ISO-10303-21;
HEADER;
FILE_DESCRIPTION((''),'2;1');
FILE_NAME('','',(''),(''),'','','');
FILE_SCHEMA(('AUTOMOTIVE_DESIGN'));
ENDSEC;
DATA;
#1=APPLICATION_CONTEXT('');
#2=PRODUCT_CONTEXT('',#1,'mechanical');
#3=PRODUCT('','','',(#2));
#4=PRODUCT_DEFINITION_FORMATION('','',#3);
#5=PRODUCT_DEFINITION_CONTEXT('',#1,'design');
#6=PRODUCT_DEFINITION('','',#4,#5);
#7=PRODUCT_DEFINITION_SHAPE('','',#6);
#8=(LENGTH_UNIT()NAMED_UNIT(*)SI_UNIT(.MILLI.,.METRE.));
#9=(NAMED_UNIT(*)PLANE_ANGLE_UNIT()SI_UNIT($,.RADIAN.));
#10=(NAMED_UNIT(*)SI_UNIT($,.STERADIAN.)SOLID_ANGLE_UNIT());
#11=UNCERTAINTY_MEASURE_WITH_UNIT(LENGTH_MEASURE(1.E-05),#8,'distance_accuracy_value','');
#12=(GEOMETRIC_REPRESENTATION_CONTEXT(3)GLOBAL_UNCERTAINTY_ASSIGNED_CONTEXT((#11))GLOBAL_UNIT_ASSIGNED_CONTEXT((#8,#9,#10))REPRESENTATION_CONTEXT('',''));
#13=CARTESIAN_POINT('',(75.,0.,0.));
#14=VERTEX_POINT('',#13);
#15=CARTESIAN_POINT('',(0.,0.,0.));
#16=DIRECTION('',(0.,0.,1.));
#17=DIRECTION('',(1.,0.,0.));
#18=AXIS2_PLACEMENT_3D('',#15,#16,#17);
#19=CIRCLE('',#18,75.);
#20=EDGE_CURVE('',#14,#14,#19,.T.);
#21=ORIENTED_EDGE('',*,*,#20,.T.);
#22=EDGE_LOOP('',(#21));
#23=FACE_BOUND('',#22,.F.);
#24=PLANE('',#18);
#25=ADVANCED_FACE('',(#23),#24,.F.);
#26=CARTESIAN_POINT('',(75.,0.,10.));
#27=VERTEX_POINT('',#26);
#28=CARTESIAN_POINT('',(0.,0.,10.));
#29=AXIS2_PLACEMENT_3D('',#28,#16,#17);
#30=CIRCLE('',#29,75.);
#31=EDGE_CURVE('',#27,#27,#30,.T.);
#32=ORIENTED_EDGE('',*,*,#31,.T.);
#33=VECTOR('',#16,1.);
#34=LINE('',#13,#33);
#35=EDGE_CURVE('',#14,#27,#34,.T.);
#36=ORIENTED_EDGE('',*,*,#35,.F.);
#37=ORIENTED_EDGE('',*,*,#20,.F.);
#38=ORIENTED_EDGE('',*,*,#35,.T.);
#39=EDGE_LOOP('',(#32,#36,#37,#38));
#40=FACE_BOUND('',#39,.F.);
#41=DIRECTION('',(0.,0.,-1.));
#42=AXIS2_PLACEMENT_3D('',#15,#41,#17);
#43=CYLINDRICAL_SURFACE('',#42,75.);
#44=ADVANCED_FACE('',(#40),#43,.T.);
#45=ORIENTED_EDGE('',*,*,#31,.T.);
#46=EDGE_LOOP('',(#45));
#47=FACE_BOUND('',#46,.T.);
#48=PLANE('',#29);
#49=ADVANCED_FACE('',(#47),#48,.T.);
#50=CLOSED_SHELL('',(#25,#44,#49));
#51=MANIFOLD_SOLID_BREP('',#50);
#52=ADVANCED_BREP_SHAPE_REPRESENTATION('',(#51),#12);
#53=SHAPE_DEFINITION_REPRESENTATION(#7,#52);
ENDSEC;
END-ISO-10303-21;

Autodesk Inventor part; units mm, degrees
ref_plane "YZ Plane" through (0, 0, 0) normal (1, 0, 0) x (0, 1, 0)
ref_plane "XZ Plane" through (0, 0, 0) normal (0, 1, 0) x (-1, 0, 0)
ref_plane "XY Plane" through (0, 0, 0) normal (0, 0, 1) x (1, 0, 0)
sketch "Sketch1" plane through (0, 0, 0) normal (0, 0, 1) x (1, 0, 0)
  circle A0 centre (0, 0) radius 75
  dimension "d0" = 150
extrude "Extrusion1" add sketch "Sketch1" along normal blind 10
properties part number "base"
